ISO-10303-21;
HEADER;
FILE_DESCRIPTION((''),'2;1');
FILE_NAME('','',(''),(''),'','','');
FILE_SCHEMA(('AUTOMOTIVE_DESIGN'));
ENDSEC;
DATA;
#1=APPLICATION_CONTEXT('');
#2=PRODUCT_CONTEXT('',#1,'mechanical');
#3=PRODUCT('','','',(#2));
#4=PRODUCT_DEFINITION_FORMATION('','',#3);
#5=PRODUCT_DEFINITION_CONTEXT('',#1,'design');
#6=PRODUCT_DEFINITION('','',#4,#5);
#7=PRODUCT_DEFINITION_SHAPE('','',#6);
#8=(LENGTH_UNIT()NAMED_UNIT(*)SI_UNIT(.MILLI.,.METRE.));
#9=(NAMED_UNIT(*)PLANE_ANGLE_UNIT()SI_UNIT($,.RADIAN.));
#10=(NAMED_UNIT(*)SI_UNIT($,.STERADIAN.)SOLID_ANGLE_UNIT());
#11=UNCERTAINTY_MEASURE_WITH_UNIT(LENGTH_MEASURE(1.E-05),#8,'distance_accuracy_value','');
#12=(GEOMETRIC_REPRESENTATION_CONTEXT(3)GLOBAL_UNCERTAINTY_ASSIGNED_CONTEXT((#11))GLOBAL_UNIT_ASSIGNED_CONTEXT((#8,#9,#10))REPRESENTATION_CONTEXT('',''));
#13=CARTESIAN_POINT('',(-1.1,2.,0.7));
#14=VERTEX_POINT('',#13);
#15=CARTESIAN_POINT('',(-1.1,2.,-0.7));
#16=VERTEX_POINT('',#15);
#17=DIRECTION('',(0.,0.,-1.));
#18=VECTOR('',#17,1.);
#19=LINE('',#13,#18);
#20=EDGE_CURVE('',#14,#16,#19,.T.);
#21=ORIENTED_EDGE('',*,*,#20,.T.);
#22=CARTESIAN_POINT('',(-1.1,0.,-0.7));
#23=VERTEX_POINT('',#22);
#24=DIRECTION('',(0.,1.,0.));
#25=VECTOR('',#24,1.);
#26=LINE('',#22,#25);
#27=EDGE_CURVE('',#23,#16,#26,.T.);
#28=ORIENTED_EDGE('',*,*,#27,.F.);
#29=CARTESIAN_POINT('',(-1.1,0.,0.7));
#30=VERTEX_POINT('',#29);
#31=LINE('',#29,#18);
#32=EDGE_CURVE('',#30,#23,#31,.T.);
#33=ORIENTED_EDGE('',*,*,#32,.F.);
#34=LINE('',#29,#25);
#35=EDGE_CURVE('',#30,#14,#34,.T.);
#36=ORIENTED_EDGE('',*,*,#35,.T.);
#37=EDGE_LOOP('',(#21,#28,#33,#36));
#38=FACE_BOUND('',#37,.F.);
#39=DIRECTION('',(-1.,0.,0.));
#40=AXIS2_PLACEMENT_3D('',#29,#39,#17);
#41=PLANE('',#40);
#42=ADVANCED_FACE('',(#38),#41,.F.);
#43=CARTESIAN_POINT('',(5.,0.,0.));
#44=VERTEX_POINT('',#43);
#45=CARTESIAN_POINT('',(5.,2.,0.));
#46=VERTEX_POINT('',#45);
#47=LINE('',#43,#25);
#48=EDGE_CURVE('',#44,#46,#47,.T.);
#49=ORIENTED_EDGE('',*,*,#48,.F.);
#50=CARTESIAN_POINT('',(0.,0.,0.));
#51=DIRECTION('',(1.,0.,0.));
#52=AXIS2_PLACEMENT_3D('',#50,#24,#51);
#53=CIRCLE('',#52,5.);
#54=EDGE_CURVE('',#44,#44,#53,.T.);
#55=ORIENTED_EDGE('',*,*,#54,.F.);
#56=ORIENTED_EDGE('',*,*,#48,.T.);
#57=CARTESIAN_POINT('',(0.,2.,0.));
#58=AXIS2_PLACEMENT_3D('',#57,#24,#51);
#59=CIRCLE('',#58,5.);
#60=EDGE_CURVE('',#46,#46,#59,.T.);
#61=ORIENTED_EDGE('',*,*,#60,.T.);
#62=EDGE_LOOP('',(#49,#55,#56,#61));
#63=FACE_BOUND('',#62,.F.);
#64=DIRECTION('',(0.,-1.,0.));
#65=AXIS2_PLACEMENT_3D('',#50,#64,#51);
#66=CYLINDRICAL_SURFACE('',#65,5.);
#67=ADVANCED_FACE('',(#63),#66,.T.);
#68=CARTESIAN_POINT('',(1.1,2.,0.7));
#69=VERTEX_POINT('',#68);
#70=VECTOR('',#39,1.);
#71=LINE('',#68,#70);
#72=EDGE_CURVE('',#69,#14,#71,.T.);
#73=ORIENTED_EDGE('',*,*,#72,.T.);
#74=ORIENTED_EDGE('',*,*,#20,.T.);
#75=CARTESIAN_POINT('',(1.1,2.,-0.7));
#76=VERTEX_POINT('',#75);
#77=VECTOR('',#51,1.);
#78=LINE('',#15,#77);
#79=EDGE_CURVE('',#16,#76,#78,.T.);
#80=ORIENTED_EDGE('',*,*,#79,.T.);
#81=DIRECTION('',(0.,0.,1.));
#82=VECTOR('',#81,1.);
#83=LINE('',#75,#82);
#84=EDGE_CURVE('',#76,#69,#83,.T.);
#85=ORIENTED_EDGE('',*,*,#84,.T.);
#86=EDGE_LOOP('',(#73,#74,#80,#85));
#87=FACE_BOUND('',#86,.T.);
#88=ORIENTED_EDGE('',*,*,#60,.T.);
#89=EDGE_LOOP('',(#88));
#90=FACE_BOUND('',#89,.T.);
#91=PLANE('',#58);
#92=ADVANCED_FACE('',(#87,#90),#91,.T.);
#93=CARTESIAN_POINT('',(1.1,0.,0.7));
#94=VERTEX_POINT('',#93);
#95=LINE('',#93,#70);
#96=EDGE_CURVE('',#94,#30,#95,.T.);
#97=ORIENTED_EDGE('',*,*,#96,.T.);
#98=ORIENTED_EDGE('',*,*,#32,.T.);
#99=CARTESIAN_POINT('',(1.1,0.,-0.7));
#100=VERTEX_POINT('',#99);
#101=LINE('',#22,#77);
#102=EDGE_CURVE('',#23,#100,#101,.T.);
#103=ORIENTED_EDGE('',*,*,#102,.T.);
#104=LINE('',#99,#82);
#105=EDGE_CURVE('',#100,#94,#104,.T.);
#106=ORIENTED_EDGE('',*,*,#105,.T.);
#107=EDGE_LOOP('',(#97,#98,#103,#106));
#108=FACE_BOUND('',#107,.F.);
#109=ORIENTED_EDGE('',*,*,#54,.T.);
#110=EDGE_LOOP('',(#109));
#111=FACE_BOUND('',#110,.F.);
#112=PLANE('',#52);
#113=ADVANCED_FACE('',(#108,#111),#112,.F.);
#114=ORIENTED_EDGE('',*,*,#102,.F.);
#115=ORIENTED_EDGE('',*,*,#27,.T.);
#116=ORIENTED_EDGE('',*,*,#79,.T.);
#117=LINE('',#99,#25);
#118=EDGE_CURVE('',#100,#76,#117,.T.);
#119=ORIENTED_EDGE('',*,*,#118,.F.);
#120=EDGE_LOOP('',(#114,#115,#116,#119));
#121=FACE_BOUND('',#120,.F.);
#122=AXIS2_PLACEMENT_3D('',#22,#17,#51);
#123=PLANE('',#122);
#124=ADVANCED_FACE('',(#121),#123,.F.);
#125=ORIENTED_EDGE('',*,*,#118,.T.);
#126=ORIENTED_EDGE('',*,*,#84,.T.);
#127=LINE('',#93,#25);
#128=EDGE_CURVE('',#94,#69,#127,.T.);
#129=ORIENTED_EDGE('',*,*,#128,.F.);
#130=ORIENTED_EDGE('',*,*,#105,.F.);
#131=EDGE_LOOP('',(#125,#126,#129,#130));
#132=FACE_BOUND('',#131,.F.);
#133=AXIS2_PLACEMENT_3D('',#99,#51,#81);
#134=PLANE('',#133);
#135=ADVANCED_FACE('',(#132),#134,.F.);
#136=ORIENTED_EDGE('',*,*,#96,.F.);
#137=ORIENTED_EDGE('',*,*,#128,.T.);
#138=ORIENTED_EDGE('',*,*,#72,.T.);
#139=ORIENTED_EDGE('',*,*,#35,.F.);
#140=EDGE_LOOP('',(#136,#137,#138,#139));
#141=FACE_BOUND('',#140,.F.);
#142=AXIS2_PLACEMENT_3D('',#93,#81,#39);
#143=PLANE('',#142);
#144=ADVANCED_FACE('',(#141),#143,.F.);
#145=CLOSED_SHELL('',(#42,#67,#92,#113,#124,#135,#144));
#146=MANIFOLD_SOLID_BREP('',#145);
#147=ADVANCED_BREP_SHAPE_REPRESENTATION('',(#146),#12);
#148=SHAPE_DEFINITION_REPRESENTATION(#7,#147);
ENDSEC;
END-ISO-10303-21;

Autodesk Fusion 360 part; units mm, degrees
sketch "Sketch1" plane through (0, 0, 0) normal (0, 1, 0) x (1, 0, 0)
  line L0 (1.2, -1) -> (-1.2, -1)
  line L1 (-1.2, -1) -> (-1.2, 1)
  line L2 (-1.2, 1) -> (1.2, 1)
  line L3 (1.2, 1) -> (1.2, -1)
  line L4 (1.2, -1) -> (-1.2, 1) construction
  line L5 (-1.2, -1) -> (1.2, 1) construction
  circle A0 centre (0, 0) radius 5
  dimension "d1" = 2.4
  dimension "d2" = 2
extrude "Extrude1" add sketch "Sketch1" along normal blind 2
sketch "Sketch2" plane through (0, 0, 0) normal (0, -1, 0) x (1, 0, 0)
  line L0 (1.2, -1) -> (-1.2, -1)
  line L1 (-1.2, -1) -> (-1.2, 1)
  line L2 (-1.2, 1) -> (1.2, 1)
  line L3 (1.2, 1) -> (1.2, -1)
  circle A0 centre (0, 0) radius 5
  line L4 (1, 0.6) -> (-1, 0.6)
  line L5 (-1, 0.6) -> (-1, -0.6)
  line L6 (-1, -0.6) -> (1, -0.6)
  line L7 (1, -0.6) -> (1, 0.6)
  line L8 (1, 0.6) -> (-1, -0.6) construction
  line L9 (-1, 0.6) -> (1, -0.6) construction
  line L10 (-1.1, -0.7) -> (1.1, -0.7)
  line L11 (1.1, -0.7) -> (1.1, 0.7)
  line L12 (1.1, 0.7) -> (-1.1, 0.7)
  line L13 (-1.1, 0.7) -> (-1.1, -0.7)
  dimension "d5" = 2
  dimension "d6" = 1.2
  dimension "d7" = 0.1
extrude "Extrude2" add sketch "Sketch2" against normal blind 2 contours L0 L1 L2 L3
